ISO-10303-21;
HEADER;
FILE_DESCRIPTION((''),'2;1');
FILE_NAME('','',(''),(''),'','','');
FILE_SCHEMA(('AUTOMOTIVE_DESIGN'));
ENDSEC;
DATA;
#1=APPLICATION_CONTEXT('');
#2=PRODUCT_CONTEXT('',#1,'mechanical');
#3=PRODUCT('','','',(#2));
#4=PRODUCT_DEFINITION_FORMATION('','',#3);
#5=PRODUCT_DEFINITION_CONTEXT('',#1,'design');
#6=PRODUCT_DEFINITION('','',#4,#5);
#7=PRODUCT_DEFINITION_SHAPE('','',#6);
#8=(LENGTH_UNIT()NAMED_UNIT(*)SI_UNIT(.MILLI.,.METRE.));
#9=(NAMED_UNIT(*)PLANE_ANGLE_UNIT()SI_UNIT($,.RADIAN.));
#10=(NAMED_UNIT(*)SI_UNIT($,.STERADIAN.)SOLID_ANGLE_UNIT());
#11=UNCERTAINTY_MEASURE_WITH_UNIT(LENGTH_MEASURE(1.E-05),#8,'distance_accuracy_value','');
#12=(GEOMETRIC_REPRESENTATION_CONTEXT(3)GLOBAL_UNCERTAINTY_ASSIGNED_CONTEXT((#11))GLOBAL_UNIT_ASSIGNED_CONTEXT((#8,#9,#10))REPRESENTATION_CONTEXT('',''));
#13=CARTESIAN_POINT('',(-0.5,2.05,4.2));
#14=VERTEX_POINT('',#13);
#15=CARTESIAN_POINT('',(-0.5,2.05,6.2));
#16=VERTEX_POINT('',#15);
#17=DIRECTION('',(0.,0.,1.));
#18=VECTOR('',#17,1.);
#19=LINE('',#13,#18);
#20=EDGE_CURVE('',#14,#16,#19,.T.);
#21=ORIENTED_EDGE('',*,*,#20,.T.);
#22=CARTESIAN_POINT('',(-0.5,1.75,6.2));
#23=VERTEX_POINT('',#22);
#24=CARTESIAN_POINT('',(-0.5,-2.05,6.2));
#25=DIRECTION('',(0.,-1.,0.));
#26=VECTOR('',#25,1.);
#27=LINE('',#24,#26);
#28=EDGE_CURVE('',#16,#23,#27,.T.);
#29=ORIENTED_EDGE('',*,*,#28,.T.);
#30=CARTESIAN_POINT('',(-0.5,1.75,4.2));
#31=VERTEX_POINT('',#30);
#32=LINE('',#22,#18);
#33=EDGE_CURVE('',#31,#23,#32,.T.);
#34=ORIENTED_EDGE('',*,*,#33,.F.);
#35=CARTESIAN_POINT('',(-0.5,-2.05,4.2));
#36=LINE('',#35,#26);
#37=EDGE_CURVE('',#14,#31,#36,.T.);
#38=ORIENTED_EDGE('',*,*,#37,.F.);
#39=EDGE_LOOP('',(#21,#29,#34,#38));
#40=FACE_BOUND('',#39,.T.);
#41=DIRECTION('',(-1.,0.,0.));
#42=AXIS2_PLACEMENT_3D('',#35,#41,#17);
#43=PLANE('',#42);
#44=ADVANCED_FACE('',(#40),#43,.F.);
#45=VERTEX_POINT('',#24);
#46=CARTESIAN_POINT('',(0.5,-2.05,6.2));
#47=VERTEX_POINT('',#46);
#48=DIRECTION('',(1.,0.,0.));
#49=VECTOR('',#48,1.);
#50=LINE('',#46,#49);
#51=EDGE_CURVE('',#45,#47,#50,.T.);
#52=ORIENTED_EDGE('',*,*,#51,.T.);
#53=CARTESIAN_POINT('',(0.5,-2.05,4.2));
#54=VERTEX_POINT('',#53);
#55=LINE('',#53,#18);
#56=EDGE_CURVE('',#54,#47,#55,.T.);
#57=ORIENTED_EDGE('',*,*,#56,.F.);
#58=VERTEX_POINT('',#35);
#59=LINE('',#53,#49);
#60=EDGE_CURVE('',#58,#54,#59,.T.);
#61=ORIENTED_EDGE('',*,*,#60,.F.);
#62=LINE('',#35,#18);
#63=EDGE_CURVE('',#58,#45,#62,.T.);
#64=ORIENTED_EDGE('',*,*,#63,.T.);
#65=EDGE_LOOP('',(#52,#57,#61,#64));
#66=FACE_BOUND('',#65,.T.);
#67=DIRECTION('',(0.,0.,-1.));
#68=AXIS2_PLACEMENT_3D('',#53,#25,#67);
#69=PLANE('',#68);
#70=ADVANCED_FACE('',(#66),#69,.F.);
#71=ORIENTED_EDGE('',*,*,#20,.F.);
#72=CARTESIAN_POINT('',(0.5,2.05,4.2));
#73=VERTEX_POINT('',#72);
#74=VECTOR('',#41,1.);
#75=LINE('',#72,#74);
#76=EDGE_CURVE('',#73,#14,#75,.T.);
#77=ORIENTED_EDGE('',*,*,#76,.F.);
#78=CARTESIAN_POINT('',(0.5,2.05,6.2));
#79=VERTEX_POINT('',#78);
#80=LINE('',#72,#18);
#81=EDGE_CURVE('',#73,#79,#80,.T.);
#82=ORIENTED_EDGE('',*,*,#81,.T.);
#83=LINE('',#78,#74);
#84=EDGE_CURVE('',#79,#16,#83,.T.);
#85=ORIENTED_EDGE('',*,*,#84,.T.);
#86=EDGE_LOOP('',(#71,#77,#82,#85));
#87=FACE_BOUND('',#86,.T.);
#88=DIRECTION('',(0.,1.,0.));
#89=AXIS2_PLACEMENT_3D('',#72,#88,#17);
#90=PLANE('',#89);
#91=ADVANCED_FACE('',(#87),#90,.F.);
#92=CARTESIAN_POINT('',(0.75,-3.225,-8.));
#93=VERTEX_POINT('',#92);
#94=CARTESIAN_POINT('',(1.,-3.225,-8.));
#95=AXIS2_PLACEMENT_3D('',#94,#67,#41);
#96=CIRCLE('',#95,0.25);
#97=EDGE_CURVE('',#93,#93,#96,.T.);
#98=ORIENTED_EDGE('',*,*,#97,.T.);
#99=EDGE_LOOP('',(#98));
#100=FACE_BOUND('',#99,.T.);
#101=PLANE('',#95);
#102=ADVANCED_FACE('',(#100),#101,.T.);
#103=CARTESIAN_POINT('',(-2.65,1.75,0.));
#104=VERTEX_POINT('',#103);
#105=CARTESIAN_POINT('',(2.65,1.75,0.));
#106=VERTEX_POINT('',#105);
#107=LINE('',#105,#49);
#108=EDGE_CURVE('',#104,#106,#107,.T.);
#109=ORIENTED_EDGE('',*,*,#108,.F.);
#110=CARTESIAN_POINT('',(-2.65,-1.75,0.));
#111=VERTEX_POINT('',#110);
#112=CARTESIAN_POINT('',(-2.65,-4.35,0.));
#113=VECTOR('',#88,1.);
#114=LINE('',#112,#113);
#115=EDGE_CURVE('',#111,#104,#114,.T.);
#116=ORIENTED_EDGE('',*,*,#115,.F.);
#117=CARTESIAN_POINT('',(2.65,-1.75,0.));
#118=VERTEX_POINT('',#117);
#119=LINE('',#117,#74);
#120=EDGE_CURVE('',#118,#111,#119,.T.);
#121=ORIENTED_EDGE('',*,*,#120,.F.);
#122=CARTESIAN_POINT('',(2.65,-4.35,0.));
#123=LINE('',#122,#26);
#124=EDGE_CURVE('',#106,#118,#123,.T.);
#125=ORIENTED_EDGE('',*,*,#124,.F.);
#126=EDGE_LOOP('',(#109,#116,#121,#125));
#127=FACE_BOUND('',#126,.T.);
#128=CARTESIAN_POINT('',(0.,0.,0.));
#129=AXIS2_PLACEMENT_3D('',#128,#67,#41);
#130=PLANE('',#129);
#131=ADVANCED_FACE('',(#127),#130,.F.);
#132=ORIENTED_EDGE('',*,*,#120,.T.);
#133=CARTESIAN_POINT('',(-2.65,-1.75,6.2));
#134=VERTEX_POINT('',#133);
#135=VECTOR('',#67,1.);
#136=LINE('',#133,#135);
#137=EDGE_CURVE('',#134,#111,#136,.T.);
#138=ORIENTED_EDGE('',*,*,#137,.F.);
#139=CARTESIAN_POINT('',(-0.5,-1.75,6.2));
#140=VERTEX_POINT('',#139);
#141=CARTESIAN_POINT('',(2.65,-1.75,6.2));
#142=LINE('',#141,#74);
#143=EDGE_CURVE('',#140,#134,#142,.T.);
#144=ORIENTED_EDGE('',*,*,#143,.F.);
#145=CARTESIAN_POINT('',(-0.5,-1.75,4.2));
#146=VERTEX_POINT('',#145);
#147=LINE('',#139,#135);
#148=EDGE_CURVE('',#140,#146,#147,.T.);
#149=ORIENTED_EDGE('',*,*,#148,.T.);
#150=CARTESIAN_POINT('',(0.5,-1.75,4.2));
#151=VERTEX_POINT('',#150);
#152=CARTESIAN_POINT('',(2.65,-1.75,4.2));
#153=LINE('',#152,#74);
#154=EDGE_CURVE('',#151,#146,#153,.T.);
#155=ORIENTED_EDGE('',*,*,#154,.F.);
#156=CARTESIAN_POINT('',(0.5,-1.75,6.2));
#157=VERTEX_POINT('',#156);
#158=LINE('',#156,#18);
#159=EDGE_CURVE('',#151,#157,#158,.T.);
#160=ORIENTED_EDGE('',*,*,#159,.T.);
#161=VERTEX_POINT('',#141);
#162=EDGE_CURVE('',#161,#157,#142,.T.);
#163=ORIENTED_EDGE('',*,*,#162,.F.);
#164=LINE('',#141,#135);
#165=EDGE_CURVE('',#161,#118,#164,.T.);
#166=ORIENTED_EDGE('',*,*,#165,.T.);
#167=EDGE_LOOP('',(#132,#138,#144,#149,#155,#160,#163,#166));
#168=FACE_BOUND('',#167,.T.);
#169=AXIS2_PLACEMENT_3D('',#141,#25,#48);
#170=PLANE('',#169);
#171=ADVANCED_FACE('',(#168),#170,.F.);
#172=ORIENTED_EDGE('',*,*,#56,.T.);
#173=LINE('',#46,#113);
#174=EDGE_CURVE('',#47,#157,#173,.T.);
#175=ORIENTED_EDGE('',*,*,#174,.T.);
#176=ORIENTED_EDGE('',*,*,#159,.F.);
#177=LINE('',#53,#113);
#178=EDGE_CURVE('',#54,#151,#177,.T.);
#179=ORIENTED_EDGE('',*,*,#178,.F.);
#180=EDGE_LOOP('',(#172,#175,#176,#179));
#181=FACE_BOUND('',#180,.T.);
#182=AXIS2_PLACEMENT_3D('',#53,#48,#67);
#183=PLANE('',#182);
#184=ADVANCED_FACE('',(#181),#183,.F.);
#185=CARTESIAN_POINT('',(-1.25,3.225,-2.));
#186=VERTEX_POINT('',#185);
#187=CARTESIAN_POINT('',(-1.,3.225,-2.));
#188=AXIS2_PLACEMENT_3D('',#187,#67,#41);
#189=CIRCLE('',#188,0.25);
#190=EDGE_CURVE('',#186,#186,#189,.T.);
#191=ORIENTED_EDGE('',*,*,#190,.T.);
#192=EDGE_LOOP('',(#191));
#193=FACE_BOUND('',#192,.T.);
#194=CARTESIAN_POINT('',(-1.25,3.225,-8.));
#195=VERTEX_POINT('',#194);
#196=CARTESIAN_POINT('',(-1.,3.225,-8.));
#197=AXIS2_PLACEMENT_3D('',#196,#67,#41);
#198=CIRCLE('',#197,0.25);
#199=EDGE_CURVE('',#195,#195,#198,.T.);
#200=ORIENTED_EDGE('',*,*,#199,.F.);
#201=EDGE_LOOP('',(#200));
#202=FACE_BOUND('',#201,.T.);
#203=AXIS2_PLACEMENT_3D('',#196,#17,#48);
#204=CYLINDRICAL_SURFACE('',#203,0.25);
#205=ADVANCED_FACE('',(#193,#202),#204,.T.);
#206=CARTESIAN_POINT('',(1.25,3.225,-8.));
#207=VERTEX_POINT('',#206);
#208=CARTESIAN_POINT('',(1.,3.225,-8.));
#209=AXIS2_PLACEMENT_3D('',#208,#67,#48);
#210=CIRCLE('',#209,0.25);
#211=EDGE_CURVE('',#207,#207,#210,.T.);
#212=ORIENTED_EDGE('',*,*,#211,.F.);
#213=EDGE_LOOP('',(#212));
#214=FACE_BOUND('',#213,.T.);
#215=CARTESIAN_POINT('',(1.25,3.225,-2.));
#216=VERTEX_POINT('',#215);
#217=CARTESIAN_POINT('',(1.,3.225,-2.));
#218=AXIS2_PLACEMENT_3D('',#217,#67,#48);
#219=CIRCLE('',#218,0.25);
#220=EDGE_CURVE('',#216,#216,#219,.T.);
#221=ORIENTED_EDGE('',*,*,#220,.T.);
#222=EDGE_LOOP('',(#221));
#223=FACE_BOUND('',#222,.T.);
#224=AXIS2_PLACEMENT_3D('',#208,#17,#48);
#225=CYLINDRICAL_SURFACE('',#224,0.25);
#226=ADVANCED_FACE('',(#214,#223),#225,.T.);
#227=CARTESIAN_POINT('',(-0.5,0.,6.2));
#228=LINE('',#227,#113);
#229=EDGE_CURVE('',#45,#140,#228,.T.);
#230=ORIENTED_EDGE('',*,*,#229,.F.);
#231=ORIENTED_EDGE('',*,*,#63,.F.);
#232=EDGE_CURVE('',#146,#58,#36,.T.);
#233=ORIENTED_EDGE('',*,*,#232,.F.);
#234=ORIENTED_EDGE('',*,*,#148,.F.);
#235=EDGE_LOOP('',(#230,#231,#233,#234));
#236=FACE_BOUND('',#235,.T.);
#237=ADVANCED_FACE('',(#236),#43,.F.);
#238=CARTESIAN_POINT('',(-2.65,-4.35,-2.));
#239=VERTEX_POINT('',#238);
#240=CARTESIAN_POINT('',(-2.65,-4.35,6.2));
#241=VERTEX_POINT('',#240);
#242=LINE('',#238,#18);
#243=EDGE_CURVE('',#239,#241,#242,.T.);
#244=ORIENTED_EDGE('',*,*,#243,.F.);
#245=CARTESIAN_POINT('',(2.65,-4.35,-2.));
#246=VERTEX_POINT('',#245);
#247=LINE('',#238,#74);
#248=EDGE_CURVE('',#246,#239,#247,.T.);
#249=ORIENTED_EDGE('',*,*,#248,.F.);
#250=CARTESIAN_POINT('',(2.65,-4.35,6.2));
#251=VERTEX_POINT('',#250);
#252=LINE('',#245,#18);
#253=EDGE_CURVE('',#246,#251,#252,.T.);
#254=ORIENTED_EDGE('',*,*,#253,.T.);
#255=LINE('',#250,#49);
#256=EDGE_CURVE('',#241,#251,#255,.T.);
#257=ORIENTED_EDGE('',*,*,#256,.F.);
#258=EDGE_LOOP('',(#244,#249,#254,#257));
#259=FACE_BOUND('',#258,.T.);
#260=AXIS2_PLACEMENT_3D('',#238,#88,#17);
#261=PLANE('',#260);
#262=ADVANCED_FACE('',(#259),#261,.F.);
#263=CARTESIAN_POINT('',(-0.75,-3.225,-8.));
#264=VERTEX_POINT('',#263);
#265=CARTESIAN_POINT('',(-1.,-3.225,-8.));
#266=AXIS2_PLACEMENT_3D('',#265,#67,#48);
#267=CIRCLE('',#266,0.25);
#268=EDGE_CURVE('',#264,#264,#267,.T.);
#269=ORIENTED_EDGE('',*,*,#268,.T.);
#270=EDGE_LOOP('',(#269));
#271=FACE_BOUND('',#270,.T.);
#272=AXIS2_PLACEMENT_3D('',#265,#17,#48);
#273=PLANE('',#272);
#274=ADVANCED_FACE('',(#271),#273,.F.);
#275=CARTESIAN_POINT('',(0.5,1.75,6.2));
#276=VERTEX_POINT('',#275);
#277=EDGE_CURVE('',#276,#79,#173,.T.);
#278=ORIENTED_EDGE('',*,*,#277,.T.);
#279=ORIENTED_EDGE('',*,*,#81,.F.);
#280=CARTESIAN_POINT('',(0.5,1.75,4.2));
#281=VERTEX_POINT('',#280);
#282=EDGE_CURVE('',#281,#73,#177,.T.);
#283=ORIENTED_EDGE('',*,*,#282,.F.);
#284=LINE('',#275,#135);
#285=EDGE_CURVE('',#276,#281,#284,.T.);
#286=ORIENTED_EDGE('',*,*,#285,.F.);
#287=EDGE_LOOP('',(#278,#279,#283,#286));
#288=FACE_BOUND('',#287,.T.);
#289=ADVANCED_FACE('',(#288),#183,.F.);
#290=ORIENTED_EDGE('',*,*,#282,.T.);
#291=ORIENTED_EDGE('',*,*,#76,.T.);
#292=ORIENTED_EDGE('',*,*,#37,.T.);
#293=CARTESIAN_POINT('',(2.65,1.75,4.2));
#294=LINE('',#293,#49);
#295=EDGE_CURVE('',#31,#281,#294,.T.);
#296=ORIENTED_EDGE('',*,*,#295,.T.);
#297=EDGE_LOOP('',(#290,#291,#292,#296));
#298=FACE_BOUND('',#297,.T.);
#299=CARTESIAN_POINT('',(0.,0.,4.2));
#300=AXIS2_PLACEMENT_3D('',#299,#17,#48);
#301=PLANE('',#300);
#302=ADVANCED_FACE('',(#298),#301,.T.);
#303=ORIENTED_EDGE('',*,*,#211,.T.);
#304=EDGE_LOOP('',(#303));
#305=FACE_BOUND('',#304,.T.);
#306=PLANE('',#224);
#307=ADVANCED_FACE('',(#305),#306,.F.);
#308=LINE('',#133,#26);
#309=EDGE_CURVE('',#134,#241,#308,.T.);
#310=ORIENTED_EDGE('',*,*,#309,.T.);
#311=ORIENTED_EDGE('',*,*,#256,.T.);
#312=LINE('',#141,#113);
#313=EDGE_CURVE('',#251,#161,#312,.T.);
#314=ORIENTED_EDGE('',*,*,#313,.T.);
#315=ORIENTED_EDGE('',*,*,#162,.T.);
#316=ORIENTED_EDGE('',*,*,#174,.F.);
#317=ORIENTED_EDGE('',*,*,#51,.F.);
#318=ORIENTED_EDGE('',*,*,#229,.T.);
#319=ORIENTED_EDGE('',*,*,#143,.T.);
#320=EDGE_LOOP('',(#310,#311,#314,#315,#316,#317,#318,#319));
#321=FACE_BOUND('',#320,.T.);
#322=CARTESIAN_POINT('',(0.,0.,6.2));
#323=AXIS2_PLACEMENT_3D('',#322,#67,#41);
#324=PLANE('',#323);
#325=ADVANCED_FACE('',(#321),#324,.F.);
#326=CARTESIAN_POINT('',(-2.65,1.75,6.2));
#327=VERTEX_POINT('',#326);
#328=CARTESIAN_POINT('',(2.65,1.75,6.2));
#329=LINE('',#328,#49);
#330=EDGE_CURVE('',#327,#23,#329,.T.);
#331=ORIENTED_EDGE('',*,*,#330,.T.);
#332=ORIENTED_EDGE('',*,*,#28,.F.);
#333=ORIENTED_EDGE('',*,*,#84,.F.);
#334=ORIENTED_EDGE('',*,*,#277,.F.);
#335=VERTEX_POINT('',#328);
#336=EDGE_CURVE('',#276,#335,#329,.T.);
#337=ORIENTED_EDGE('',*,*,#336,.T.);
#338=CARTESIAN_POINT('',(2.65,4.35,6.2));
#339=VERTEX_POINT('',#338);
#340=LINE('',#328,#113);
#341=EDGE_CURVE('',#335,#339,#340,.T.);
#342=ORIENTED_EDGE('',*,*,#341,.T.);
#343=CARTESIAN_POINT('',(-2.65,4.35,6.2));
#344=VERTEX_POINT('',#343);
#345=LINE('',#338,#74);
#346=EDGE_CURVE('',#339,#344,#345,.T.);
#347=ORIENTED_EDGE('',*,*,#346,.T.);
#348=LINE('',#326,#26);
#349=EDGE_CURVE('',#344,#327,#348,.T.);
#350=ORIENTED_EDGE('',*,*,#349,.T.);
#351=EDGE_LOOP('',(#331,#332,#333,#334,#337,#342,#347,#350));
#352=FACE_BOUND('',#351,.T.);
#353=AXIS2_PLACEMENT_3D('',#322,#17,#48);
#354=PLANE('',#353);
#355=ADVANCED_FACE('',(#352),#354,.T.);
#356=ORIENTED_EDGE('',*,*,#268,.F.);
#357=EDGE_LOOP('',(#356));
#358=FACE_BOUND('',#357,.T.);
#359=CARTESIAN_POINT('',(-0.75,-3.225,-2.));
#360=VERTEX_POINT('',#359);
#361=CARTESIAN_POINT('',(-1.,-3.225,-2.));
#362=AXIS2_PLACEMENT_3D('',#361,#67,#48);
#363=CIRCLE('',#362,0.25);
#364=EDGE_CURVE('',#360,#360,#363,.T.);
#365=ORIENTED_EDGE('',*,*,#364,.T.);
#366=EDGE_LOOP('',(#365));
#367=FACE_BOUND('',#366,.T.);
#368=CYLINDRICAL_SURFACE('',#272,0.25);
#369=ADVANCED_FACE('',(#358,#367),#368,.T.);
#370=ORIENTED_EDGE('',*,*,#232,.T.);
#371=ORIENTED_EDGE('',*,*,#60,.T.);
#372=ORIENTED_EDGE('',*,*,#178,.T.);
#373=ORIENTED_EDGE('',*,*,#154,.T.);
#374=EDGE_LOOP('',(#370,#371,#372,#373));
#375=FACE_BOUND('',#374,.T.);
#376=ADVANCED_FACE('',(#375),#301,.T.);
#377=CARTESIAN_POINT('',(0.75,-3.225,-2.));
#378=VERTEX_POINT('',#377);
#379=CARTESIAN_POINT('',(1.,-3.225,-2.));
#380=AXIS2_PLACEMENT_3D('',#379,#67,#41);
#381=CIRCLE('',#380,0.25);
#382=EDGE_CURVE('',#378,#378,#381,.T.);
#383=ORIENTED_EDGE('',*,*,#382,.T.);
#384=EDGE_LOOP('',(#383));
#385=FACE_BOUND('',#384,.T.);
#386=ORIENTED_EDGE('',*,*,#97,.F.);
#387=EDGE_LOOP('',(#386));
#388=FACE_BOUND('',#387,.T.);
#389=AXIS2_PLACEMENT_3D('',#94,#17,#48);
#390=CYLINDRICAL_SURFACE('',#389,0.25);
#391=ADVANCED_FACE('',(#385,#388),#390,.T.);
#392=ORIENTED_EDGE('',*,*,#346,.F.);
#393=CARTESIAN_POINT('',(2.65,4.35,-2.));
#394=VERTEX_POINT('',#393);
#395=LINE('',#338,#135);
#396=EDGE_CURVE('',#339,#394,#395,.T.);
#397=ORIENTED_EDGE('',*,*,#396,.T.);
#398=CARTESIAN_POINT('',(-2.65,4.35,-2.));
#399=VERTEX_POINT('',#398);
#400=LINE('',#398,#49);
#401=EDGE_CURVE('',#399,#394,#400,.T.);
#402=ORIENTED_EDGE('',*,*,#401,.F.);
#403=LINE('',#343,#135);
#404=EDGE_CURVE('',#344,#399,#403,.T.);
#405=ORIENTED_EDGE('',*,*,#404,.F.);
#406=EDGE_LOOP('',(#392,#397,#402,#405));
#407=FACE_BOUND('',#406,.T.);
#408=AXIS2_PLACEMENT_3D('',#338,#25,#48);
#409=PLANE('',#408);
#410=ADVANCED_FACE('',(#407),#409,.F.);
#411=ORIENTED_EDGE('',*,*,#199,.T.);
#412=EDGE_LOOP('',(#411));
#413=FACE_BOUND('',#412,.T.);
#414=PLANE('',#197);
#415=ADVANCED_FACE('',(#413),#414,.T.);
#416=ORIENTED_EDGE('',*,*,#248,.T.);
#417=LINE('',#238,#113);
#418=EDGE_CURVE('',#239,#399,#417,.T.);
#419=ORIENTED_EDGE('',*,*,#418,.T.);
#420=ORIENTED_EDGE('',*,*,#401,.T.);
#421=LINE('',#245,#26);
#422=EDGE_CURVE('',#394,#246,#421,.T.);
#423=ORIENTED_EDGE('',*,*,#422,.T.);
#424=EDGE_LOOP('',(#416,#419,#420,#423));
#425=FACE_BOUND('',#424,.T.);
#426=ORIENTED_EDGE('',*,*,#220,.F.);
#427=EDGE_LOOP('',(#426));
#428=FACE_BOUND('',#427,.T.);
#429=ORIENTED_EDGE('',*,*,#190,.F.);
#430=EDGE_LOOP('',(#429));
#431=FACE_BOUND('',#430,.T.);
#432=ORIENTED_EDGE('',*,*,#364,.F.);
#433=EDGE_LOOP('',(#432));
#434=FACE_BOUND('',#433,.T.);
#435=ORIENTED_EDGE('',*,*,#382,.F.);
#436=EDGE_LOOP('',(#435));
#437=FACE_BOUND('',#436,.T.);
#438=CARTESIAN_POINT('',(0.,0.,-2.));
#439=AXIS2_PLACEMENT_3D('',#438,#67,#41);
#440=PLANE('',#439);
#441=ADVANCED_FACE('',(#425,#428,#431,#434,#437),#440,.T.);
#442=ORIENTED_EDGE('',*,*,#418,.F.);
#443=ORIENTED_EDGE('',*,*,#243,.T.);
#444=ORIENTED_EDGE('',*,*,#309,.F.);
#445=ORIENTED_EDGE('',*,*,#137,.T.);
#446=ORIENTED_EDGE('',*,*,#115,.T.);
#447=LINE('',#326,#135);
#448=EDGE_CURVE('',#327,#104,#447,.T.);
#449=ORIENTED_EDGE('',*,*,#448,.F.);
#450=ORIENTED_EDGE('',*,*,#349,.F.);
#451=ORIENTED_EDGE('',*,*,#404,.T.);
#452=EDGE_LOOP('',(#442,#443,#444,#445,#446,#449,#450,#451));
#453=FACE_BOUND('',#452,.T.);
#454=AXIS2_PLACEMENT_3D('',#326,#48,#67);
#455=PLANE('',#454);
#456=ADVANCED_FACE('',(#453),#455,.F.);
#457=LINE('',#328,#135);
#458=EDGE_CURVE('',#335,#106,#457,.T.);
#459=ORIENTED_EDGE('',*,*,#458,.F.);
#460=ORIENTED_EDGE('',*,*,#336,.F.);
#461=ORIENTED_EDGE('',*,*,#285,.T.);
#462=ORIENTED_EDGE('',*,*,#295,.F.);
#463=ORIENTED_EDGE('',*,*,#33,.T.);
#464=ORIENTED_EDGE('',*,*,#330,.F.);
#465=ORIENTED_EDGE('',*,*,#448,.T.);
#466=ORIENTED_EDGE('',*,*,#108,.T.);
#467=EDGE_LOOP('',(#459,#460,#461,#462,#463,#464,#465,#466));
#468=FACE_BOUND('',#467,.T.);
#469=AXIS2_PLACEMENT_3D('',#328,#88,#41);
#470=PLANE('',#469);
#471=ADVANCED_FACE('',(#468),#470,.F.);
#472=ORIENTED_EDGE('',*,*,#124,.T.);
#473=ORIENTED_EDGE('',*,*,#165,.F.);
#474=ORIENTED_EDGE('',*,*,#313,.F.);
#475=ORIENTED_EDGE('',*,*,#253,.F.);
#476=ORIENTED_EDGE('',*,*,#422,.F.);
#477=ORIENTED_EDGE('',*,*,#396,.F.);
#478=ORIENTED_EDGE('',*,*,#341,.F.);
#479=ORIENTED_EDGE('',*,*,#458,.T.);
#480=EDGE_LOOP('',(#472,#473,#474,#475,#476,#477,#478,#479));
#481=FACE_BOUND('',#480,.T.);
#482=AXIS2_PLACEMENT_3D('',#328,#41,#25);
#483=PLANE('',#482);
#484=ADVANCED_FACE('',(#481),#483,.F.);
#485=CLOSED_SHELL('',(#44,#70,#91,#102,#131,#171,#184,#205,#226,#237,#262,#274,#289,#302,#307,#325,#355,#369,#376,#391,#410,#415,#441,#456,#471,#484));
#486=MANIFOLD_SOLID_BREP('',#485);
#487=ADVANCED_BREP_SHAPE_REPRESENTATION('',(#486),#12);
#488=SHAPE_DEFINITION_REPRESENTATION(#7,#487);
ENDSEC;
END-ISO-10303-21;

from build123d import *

# Parameters (mm, degrees)
SKETCH1_W             = 5.3
SKETCH1_H             = 2.6
BOSS_EXTRUDE1_DEPTH   = 6.2
BOSS_EXTRUDE1_2_DEPTH = 6.2
SKETCH2_W             = 5.3
SKETCH2_H             = 8.7
BOSS_EXTRUDE2_DEPTH   = 2
SKETCH3_W             = 1
SKETCH3_H             = 4.1
CUT_EXTRUDE1_DEPTH    = 2
SKETCH4_R             = 0.25
BOSS_EXTRUDE3_DEPTH   = 6


with BuildPart() as part:
    # Sketch1 → Boss-Extrude1 (new body)
    with BuildSketch(Plane.XY):
        with Locations((0, 3.05)):
            Rectangle(SKETCH1_W, SKETCH1_H)
    extrude(amount=BOSS_EXTRUDE1_DEPTH)



with BuildPart() as body_2:
    # Sketch1 → Boss-Extrude1 2 (new body)
    with BuildSketch(Plane.XY):
        with Locations((0, -3.05)):
            Rectangle(SKETCH1_W, SKETCH1_H)
    extrude(amount=BOSS_EXTRUDE1_2_DEPTH)


with BuildPart() as part_1:
    add(part.part)

    add(body_2.part)  # Boss-Extrude2 merges body 2
    # Sketch2 → Boss-Extrude2 (add)
    with BuildSketch(Plane(origin=(0, 0, 0), x_dir=(-1, 0, 0), z_dir=(0, 0, -1))):
        Rectangle(SKETCH2_W, SKETCH2_H)
    extrude(amount=BOSS_EXTRUDE2_DEPTH)

    # Sketch3 → Cut-Extrude1 (cut)
    with BuildSketch(Plane.XY.offset(6.2)):
        Rectangle(SKETCH3_W, SKETCH3_H)
    extrude(amount=-CUT_EXTRUDE1_DEPTH, mode=Mode.SUBTRACT)

    # Sketch4 → Boss-Extrude3 (add)
    with BuildSketch(Plane(origin=(0, 0, -2), x_dir=(-1, 0, 0), z_dir=(0, 0, -1))):
        with Locations((-1, -3.225)):
            Circle(SKETCH4_R)
        with Locations(Location((1, -3.225, 0), (0, 0, 180))):
            Circle(SKETCH4_R)
        with Locations((1, 3.225)):
            Circle(SKETCH4_R)
        with Locations(Location((-1, 3.225, 0), (0, 0, 180))):
            Circle(SKETCH4_R)
    extrude(amount=BOSS_EXTRUDE3_DEPTH)


solid = part_1.part
